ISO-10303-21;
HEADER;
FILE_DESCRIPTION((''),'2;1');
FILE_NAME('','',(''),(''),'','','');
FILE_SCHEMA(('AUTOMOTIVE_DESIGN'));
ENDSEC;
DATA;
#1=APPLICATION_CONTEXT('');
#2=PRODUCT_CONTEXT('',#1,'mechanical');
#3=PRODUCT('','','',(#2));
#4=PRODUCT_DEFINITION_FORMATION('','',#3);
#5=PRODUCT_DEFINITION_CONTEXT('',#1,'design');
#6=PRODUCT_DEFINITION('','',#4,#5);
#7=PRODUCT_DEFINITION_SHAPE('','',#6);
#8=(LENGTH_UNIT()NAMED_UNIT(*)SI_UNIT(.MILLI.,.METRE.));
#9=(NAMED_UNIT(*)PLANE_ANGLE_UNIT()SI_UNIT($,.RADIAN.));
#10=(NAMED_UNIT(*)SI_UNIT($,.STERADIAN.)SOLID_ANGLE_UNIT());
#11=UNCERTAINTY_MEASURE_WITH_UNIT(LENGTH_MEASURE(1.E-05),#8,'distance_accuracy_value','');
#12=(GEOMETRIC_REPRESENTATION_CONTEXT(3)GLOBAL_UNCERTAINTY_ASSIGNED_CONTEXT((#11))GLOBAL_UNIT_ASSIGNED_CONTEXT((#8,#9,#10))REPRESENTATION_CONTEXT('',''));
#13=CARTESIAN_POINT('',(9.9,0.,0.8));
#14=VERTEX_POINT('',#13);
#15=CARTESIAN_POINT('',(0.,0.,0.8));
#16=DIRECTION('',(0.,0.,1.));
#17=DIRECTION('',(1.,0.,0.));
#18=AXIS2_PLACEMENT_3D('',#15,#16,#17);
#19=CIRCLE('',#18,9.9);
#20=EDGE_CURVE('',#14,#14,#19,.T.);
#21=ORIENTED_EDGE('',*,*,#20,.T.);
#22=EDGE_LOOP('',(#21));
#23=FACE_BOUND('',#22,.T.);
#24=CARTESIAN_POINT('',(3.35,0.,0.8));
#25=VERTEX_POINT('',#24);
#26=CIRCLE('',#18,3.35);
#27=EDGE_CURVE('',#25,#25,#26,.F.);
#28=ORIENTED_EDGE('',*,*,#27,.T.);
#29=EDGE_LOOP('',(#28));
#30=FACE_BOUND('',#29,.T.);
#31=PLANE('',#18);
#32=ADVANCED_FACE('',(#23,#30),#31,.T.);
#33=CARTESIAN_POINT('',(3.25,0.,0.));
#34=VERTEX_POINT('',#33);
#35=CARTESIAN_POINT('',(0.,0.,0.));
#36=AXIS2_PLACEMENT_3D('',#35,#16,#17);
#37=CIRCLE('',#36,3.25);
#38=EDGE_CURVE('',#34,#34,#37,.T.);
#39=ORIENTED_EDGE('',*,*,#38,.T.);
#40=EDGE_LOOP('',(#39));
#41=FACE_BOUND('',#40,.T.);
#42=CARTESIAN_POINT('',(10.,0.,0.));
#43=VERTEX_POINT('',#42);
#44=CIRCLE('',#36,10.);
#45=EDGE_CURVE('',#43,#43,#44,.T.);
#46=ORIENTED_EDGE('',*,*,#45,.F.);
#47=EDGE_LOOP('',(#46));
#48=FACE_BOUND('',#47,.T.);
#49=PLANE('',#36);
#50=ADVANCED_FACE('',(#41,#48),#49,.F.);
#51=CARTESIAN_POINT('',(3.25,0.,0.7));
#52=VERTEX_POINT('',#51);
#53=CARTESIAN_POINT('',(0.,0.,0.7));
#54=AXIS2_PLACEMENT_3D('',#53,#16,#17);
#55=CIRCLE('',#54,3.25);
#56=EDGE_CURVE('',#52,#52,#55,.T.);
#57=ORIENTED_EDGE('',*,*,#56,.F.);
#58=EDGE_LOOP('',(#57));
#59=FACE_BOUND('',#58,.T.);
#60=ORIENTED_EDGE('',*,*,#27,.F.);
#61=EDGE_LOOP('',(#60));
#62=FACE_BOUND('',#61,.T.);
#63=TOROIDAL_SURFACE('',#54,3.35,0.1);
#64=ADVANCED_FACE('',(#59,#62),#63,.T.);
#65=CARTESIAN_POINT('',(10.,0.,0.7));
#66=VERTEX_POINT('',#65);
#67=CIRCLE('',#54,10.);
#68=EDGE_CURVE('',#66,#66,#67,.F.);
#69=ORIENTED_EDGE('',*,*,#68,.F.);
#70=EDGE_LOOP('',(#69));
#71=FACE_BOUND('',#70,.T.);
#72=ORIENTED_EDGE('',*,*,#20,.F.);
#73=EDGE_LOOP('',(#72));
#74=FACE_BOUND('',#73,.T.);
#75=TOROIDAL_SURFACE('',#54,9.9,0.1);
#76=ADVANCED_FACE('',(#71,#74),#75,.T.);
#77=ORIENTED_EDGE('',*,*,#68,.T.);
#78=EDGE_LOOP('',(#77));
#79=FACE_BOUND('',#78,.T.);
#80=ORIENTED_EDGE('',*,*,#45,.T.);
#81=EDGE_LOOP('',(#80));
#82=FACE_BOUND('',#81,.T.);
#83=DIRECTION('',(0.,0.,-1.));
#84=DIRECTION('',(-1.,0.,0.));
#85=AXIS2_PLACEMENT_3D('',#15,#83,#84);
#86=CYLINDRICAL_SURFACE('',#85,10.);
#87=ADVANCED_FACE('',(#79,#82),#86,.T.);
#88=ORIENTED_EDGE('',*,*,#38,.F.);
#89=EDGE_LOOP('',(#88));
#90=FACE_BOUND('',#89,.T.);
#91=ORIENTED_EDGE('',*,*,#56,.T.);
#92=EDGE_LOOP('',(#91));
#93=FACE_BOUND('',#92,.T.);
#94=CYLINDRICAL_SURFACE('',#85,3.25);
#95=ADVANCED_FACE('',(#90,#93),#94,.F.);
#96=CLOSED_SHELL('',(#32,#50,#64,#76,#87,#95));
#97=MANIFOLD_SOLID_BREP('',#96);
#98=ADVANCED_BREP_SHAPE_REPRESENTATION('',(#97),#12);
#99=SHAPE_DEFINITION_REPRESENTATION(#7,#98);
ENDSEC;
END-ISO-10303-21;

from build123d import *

# Parameters (mm, degrees)
SKETCH1_R           = 10
SKETCH1_R_2         = 3.25
BOSS_EXTRUDE1_DEPTH = 0.8
FILLET1_R           = 0.1


with BuildPart() as part:
    # Sketch1 → Boss-Extrude1 (new body)
    with BuildSketch(Plane.XY):
        Circle(SKETCH1_R)
        Circle(SKETCH1_R_2, mode=Mode.SUBTRACT)
    extrude(amount=BOSS_EXTRUDE1_DEPTH)

    # Fillet1
    fillet1_edges = [part.edges().sort_by_distance(p)[0] for p in [
        (-10, 0, 0.8),
        (-3.25, 0, 0.8),
    ]]
    fillet(fillet1_edges, radius=FILLET1_R)


solid = part.part
